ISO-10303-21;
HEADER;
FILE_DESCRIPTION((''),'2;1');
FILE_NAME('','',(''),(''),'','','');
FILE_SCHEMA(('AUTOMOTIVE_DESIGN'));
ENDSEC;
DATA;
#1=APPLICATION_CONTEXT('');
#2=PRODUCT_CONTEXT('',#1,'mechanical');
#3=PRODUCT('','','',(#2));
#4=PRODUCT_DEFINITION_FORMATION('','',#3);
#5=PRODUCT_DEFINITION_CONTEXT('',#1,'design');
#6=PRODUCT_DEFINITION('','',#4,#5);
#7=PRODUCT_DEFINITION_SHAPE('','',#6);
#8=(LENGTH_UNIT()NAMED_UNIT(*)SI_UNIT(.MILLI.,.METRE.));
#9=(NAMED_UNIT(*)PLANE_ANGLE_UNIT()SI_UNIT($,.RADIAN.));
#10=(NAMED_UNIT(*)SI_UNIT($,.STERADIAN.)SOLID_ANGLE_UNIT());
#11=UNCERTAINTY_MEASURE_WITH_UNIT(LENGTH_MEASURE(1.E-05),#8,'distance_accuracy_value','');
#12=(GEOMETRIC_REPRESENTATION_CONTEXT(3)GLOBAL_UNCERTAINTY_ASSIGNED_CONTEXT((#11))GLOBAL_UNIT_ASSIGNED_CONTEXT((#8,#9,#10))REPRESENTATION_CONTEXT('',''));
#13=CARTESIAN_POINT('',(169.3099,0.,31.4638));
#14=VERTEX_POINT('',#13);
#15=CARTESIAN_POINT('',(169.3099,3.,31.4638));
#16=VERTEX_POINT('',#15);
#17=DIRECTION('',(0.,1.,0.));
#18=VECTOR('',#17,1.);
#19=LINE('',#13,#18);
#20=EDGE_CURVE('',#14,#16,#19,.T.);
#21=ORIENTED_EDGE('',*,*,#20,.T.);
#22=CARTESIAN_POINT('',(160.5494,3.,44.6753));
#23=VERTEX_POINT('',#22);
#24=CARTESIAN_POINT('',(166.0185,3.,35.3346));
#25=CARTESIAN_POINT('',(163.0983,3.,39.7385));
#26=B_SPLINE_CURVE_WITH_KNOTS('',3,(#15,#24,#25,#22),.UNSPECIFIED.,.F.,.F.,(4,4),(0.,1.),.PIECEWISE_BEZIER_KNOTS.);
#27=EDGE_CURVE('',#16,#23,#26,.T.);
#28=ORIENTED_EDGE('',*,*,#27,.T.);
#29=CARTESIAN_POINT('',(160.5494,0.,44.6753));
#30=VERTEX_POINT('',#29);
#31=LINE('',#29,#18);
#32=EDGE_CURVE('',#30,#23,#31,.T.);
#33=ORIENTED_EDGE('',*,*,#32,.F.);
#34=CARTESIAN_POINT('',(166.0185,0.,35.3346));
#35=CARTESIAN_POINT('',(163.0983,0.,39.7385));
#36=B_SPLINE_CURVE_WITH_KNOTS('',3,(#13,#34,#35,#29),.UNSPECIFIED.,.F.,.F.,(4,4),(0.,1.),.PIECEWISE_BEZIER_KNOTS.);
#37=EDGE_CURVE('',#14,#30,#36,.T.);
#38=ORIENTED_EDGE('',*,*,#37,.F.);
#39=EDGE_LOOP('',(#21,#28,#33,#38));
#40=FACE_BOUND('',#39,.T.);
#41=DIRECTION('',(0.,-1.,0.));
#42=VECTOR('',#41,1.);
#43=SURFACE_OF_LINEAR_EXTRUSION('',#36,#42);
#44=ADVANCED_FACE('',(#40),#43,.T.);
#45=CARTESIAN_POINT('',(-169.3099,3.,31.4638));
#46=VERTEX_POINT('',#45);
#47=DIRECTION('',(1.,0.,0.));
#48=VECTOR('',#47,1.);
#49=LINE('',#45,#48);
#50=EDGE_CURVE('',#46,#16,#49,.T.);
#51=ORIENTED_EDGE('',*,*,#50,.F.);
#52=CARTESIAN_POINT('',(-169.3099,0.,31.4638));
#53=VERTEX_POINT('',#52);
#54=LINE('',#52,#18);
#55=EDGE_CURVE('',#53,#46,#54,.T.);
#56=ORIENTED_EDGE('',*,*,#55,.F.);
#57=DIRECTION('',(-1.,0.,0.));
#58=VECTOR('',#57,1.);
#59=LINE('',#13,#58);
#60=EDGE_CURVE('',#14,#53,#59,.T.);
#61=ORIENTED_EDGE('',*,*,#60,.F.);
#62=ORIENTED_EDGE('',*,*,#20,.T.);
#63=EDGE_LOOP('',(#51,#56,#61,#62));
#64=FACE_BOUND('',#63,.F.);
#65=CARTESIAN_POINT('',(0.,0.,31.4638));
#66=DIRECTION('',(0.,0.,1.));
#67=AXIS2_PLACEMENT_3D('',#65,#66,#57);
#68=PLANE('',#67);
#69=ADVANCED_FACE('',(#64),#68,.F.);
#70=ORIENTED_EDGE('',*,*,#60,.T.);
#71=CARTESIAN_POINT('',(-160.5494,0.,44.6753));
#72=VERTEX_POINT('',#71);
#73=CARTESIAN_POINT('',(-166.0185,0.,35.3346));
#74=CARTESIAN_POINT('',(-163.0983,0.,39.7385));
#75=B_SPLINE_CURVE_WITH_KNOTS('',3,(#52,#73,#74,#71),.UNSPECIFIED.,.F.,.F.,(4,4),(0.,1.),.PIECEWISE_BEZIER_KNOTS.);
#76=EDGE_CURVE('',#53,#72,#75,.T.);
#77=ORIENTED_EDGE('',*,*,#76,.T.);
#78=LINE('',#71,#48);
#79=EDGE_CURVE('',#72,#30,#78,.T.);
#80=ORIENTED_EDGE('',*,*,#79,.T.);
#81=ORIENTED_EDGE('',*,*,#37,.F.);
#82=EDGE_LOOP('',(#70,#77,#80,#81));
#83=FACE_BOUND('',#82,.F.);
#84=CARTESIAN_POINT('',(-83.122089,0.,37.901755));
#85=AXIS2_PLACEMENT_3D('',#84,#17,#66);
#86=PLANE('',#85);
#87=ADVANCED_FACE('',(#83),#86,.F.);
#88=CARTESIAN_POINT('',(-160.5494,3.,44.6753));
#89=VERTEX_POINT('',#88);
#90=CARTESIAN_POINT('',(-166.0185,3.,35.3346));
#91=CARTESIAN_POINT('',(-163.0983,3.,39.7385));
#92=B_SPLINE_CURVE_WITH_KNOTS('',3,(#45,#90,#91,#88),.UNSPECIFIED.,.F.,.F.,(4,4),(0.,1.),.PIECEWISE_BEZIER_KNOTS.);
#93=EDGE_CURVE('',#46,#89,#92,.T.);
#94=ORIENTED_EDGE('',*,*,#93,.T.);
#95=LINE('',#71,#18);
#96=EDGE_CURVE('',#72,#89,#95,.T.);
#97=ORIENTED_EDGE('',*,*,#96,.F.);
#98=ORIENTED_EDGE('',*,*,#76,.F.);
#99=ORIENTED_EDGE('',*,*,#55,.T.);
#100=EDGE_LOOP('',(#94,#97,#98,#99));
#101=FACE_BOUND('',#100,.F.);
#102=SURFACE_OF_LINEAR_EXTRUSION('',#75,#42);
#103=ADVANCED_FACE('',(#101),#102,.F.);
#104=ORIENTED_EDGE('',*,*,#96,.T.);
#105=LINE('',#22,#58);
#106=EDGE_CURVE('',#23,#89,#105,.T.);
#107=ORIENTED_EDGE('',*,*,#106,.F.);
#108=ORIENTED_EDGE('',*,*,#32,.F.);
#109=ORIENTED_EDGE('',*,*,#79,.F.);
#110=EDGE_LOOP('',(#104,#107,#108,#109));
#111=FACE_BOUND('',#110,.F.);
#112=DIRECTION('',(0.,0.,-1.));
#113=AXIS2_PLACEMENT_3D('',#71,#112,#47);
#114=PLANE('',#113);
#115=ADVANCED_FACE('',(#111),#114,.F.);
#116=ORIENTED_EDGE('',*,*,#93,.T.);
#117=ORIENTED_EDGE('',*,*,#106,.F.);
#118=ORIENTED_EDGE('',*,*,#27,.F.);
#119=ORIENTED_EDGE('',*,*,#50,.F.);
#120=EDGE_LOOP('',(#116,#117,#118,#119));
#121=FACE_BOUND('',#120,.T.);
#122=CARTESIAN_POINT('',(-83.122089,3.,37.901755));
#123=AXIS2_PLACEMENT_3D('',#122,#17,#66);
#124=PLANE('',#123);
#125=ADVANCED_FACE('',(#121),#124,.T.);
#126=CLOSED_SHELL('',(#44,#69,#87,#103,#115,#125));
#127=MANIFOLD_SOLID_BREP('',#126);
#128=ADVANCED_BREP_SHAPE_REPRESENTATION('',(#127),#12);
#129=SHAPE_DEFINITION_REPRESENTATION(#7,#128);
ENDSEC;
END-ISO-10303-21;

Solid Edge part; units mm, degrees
sketch "Sketch1" plane through (0, 0, 0) normal (0, -1, 0) x (1, 0, 0)
  spline S0 degree 3 poles (-169.3099, 31.4638) (-166.0185, 35.3346) (-163.0983, 39.7385) (-160.5494, 44.6753) knots 0 0 0 0 1 1 1 1
  line L0 (-160.5494, 44.6753) -> (0, 44.6753)
  line L1 (0, 44.6753) -> (0, 31.4638)
  line L2 (0, 31.4638) -> (-169.3099, 31.4638)
  dimension "D1" = 160.5494
  dimension "D2" = 13.2116
  dimension "D3" = 169.3099
extrude "Protrusion1" add sketch "Sketch1" against normal blind 3
mirror "Mirror1" about plane through (0, 0, 0) normal (1, 0, 0) of "Protrusion1"
properties part number "053" material "Acryl, hochfest"
